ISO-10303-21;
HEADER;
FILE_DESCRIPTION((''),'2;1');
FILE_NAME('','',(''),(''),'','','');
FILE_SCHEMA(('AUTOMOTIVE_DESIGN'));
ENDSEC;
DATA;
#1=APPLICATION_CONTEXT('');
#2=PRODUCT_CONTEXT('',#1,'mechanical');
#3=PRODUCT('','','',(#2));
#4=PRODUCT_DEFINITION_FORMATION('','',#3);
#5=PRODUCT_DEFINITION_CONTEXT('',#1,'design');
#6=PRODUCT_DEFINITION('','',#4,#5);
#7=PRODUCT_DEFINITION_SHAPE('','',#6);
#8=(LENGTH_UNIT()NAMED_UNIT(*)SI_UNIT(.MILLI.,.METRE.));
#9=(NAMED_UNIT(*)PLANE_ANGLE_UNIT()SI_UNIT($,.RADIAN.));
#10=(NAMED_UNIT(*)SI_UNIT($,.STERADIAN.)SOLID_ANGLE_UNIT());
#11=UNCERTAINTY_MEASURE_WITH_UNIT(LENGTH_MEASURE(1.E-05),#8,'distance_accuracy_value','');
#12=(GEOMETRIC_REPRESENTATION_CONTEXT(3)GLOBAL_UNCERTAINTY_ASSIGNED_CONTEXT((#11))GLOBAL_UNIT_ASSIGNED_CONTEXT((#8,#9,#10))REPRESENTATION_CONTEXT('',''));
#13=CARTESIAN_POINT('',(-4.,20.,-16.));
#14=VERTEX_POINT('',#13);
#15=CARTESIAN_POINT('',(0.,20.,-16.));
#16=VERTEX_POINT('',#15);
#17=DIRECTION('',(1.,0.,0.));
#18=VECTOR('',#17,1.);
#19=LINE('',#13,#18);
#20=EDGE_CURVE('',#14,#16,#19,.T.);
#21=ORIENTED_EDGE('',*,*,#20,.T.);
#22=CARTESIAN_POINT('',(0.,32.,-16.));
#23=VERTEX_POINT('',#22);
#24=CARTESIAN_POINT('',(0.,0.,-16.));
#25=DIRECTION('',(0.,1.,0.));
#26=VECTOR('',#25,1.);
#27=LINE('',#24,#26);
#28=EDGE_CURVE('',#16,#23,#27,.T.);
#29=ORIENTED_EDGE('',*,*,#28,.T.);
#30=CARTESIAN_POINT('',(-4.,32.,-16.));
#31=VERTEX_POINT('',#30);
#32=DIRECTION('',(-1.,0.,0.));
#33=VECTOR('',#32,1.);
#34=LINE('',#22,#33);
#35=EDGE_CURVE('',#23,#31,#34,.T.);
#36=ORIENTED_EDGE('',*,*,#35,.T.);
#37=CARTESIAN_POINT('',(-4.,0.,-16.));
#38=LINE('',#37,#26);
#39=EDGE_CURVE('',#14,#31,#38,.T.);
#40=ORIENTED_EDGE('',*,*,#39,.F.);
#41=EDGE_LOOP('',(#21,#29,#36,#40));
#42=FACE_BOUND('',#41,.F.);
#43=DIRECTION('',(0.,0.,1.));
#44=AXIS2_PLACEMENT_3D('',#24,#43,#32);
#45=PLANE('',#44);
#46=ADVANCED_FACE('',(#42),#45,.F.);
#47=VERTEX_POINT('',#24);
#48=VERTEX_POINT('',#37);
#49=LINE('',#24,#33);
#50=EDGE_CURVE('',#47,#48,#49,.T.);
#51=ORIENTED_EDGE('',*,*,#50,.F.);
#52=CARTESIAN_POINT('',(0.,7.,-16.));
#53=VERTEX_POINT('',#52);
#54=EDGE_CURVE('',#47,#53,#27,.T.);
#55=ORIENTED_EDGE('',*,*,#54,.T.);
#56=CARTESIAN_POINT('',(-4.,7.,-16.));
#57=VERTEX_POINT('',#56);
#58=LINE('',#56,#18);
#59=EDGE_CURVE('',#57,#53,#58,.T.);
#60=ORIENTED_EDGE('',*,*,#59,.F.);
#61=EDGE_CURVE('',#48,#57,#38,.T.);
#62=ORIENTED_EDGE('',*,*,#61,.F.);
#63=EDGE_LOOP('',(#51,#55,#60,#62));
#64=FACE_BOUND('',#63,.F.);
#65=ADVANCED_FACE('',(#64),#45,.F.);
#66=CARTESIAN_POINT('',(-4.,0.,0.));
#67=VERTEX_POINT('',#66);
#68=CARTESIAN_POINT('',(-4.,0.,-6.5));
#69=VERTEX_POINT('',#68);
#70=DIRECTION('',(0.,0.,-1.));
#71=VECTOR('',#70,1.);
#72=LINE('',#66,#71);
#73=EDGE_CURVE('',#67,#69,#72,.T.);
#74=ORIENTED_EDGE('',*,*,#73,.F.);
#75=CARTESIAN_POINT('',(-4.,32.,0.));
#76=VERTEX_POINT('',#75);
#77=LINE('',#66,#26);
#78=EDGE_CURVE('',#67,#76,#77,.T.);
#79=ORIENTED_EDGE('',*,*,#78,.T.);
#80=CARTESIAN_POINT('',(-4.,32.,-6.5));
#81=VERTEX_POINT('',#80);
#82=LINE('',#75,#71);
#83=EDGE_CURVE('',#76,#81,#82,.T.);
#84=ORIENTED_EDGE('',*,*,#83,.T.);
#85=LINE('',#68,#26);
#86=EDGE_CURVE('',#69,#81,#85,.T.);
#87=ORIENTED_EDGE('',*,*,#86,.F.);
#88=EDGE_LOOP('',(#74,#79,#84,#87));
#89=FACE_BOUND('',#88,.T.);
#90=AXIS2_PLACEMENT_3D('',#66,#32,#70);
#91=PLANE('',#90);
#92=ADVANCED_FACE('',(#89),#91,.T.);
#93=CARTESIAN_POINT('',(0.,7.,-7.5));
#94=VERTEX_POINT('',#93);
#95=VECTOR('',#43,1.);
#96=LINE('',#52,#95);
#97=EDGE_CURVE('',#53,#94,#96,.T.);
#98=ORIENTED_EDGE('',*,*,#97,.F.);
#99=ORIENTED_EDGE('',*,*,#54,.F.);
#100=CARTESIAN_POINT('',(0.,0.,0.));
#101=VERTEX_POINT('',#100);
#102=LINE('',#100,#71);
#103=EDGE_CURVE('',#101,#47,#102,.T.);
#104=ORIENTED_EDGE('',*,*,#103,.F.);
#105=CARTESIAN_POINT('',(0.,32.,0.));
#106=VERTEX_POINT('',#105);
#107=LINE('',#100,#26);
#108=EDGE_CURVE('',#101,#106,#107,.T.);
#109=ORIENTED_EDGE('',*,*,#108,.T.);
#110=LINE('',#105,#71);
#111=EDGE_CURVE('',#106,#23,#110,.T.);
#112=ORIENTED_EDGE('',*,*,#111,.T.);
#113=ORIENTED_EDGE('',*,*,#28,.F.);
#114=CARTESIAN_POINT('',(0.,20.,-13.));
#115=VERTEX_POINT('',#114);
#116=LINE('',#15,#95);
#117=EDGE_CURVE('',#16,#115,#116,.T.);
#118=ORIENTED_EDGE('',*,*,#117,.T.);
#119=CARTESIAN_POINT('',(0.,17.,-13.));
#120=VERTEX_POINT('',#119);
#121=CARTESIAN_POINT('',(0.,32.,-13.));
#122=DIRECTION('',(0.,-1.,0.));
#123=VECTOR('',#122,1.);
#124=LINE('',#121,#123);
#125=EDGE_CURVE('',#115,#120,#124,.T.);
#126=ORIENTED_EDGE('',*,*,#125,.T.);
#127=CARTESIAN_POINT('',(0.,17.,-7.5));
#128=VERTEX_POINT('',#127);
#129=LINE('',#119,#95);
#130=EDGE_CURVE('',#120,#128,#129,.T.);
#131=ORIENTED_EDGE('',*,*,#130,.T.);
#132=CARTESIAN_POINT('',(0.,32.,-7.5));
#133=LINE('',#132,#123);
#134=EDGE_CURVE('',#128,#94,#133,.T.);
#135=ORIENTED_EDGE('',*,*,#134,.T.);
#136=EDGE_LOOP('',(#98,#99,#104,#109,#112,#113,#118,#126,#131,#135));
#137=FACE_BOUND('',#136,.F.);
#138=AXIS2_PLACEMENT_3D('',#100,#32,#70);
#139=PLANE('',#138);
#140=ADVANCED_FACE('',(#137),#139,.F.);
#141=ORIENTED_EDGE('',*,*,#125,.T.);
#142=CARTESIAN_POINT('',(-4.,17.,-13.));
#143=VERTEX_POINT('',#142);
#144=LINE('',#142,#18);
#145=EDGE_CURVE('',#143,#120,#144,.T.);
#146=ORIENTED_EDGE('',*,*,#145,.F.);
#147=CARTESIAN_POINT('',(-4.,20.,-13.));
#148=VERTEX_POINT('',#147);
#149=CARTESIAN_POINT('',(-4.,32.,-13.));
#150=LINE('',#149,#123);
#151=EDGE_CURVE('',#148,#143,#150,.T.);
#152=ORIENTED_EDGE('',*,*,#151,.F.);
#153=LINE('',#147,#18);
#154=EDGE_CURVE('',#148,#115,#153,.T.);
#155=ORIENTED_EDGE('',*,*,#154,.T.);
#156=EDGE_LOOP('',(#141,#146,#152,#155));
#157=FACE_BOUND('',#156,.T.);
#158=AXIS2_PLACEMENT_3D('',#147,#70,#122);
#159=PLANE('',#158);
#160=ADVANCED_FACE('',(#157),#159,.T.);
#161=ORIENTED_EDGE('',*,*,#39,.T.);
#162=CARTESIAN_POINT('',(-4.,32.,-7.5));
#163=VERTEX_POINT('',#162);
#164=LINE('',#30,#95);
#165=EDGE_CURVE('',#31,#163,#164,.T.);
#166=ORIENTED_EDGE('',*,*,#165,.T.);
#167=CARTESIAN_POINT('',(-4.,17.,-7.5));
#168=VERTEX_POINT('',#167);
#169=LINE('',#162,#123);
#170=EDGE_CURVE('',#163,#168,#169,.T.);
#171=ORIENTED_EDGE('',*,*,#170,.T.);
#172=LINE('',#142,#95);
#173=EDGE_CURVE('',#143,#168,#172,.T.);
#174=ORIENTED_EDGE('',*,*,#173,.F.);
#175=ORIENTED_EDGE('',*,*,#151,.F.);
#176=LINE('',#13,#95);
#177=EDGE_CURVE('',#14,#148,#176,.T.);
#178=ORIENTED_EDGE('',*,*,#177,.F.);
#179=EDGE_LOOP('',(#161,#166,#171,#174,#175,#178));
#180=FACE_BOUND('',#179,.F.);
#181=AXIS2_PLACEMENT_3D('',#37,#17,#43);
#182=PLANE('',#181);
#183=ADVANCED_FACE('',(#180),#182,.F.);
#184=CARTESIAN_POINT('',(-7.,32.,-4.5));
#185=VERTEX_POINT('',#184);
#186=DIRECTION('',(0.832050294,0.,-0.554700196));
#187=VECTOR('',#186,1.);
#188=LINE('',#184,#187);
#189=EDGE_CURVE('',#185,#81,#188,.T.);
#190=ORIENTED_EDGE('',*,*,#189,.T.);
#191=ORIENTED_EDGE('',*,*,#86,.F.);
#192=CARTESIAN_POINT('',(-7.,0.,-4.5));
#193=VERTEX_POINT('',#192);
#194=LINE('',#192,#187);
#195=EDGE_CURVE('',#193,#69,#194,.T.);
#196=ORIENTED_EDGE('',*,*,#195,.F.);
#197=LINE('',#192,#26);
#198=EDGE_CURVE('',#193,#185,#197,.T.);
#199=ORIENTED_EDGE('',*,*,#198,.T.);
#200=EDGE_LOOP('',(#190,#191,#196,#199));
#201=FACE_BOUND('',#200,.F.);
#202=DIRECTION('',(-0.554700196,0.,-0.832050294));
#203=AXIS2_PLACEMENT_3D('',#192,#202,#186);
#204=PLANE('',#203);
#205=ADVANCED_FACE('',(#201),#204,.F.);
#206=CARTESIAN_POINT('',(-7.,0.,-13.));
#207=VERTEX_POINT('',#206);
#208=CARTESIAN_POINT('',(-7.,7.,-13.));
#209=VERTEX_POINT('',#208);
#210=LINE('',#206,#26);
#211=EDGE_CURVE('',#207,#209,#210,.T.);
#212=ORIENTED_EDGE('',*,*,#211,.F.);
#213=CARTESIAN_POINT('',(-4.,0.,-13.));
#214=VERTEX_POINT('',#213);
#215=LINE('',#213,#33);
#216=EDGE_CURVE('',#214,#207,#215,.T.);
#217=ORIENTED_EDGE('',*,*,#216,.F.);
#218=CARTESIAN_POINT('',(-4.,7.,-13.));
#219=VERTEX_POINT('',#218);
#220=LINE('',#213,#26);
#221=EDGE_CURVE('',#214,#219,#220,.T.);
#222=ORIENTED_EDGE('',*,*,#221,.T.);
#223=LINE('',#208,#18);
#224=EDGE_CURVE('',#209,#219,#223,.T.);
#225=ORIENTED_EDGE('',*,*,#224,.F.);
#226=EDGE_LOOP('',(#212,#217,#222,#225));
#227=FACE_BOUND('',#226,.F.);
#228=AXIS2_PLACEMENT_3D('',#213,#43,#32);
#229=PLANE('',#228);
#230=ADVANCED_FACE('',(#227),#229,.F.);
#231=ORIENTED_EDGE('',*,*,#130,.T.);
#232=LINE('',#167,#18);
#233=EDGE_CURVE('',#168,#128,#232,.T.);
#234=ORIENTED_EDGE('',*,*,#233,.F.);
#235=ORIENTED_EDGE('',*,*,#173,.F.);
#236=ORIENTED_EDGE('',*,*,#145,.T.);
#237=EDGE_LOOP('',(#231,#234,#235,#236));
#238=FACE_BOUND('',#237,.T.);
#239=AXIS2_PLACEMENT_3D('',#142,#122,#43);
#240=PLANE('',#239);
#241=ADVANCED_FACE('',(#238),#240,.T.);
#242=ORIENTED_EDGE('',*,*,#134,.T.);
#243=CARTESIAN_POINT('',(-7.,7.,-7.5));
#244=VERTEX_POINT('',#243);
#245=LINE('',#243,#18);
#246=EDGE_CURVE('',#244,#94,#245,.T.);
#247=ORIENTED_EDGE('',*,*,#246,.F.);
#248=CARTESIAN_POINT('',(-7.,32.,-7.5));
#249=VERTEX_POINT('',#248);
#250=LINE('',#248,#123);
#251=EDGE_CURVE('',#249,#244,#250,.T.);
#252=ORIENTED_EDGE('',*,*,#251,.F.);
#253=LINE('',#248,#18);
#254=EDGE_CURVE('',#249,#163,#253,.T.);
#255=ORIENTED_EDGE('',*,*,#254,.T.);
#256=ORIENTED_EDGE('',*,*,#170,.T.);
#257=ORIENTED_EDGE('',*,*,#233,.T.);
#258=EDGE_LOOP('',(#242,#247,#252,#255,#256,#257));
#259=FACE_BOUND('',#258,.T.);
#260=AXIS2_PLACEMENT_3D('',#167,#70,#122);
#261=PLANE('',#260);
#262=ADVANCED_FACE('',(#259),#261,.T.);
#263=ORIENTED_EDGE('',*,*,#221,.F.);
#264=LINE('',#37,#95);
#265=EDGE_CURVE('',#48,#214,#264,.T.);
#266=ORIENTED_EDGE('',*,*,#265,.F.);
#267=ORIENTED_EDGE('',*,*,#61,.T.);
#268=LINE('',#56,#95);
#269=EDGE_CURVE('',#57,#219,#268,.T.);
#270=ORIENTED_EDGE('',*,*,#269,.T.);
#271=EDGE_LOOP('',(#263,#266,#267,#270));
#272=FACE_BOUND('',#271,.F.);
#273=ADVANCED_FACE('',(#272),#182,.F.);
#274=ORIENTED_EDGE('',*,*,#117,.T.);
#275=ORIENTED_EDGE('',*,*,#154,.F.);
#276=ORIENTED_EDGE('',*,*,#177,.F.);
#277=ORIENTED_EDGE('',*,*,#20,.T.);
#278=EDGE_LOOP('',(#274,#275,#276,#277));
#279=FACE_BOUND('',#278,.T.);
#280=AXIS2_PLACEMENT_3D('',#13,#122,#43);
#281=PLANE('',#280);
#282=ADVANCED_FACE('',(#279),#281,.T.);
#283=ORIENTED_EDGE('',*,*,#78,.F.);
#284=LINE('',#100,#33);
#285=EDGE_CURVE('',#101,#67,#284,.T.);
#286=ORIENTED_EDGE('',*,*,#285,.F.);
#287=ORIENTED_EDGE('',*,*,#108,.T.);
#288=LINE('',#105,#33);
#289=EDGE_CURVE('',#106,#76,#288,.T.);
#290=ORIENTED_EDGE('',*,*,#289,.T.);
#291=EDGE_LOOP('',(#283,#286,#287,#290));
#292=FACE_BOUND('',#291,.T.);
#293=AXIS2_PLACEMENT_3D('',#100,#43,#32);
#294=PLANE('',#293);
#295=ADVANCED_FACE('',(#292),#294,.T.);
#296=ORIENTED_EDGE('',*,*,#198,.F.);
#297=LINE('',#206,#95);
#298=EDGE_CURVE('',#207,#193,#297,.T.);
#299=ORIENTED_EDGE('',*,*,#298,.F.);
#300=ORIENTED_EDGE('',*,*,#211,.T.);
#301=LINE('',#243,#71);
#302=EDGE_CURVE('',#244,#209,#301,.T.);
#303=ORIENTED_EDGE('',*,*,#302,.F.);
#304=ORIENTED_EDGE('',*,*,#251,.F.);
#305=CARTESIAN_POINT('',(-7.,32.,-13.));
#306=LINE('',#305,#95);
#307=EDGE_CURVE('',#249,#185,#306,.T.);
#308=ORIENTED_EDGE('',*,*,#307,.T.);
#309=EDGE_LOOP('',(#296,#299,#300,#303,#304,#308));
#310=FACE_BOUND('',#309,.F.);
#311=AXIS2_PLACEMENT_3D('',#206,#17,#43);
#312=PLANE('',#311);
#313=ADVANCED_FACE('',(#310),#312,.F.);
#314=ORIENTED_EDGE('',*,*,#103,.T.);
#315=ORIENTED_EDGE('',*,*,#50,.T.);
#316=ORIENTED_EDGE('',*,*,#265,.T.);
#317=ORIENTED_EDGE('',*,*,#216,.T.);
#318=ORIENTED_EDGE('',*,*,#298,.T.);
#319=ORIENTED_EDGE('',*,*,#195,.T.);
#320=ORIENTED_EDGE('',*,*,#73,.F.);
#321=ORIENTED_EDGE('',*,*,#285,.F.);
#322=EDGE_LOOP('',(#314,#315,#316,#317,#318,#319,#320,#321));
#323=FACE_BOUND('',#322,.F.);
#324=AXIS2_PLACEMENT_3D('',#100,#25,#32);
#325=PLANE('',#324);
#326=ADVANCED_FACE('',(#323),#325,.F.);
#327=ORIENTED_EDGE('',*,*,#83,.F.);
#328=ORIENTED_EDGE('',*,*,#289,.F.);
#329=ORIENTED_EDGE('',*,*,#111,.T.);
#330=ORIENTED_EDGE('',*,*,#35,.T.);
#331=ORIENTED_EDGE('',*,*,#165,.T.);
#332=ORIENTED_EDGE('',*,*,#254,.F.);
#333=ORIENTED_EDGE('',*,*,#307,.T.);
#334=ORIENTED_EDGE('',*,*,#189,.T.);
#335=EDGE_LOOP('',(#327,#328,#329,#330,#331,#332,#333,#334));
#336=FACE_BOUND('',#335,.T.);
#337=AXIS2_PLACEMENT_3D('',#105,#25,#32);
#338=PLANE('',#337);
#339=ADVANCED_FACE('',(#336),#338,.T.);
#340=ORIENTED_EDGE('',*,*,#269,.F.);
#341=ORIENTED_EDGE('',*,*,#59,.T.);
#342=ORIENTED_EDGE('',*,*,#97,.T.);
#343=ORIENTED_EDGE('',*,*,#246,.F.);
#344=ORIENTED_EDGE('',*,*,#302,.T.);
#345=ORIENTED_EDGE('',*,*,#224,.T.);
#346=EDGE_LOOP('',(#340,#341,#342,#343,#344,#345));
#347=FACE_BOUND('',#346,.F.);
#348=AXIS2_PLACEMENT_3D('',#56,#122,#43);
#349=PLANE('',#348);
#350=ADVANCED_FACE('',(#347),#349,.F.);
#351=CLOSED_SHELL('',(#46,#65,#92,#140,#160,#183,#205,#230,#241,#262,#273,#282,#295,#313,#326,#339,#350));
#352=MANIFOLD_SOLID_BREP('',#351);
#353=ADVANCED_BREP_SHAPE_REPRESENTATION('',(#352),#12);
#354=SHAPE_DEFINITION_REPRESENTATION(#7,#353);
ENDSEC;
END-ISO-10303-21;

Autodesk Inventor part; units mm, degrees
ref_plane "YZ Plane" through (0, 0, 0) normal (1, 0, 0) x (0, 1, 0)
ref_plane "XZ Plane" through (0, 0, 0) normal (0, 1, 0) x (-1, 0, 0)
ref_plane "XY Plane" through (0, 0, 0) normal (0, 0, 1) x (1, 0, 0)
sketch "Sketch1" plane through (0, 0, 0) normal (0, 1, 0) x (-1, 0, 0)
  line L0 (0, 0) -> (0, -16)
  line L1 (0, -16) -> (4, -16)
  line L2 (0, 0) -> (4, 0)
  line L3 (4, 0) -> (4, -6.5)
  line L4 (4, -16) -> (4, -13)
  line L5 (4, -13) -> (7, -13)
  line L6 (7, -13) -> (7, -4.5)
  line L7 (7, -4.5) -> (4, -6.5)
  dimension "d0" = 16
  dimension "d1" = 4
  dimension "d2" = 6.5
  dimension "d3" = 3
  dimension "d4" = 3
  dimension "d5" = 8.5
extrude "Extrusion1" add sketch "Sketch1" along normal blind 32
sketch "Sketch2" plane through (-7, 0, -13) normal (-1, 0, 0) x (0, 0, 1)
  line L0 (0, 0) -> (8.5, 0) projected
  line L1 (8.5, 0) -> (8.5, 32) projected
  line L2 (0, 32) -> (8.5, 32) projected
  line L3 (0, 0) -> (0, 32) projected
  line L4 (0, 32) -> (8.5, 32) projected
  line L5 (5.5, 32) -> (5.5, 7)
  line L6 (5.5, 7) -> (0, 7)
  line L7 (0, 0) -> (0, 32) projected
  point P0 (13, 0)
  dimension "d8" = 25
  dimension "d9" = 5.5
extrude "Extrusion2" cut sketch "Sketch2" against normal blind 3 contours L3 L2 L5 L6
sketch "Sketch3" plane through (-4, 0, -16) normal (-1, 0, 0) x (0, 0, 1)
  line L0 (0, 0) -> (3, 0) projected
  line L1 (3, 0) -> (3, 7) projected
  line L2 (8.5, 7) -> (3, 7) projected
  line L3 (8.5, 32) -> (8.5, 7) projected
  line L4 (0, 32) -> (8.5, 32) projected
  line L5 (0, 0) -> (0, 32) projected
  line L6 (0, 0) -> (0, 32) projected
  line L7 (0, 32) -> (0, 20)
  line L8 (0, 20) -> (3, 20)
  line L9 (8.5, 32) -> (8.5, 7) projected
  line L10 (0, 32) -> (8.5, 32) projected
  line L11 (3, 32) -> (3, 17)
  line L12 (3, 17) -> (8.5, 17)
  line L13 (0, 0) -> (0, 32) projected
  line L14 (0, 7) -> (3, 7)
  point P0 (16, 0)
  dimension "d12" = 12
  dimension "d13" = 15
  dimension "d14" = 3
extrude "Extrusion3" cut sketch "Sketch3" against normal blind 4 contours L5 L8 L11 L12 L3 L2 L14
properties part number "Inner Rails 2"
